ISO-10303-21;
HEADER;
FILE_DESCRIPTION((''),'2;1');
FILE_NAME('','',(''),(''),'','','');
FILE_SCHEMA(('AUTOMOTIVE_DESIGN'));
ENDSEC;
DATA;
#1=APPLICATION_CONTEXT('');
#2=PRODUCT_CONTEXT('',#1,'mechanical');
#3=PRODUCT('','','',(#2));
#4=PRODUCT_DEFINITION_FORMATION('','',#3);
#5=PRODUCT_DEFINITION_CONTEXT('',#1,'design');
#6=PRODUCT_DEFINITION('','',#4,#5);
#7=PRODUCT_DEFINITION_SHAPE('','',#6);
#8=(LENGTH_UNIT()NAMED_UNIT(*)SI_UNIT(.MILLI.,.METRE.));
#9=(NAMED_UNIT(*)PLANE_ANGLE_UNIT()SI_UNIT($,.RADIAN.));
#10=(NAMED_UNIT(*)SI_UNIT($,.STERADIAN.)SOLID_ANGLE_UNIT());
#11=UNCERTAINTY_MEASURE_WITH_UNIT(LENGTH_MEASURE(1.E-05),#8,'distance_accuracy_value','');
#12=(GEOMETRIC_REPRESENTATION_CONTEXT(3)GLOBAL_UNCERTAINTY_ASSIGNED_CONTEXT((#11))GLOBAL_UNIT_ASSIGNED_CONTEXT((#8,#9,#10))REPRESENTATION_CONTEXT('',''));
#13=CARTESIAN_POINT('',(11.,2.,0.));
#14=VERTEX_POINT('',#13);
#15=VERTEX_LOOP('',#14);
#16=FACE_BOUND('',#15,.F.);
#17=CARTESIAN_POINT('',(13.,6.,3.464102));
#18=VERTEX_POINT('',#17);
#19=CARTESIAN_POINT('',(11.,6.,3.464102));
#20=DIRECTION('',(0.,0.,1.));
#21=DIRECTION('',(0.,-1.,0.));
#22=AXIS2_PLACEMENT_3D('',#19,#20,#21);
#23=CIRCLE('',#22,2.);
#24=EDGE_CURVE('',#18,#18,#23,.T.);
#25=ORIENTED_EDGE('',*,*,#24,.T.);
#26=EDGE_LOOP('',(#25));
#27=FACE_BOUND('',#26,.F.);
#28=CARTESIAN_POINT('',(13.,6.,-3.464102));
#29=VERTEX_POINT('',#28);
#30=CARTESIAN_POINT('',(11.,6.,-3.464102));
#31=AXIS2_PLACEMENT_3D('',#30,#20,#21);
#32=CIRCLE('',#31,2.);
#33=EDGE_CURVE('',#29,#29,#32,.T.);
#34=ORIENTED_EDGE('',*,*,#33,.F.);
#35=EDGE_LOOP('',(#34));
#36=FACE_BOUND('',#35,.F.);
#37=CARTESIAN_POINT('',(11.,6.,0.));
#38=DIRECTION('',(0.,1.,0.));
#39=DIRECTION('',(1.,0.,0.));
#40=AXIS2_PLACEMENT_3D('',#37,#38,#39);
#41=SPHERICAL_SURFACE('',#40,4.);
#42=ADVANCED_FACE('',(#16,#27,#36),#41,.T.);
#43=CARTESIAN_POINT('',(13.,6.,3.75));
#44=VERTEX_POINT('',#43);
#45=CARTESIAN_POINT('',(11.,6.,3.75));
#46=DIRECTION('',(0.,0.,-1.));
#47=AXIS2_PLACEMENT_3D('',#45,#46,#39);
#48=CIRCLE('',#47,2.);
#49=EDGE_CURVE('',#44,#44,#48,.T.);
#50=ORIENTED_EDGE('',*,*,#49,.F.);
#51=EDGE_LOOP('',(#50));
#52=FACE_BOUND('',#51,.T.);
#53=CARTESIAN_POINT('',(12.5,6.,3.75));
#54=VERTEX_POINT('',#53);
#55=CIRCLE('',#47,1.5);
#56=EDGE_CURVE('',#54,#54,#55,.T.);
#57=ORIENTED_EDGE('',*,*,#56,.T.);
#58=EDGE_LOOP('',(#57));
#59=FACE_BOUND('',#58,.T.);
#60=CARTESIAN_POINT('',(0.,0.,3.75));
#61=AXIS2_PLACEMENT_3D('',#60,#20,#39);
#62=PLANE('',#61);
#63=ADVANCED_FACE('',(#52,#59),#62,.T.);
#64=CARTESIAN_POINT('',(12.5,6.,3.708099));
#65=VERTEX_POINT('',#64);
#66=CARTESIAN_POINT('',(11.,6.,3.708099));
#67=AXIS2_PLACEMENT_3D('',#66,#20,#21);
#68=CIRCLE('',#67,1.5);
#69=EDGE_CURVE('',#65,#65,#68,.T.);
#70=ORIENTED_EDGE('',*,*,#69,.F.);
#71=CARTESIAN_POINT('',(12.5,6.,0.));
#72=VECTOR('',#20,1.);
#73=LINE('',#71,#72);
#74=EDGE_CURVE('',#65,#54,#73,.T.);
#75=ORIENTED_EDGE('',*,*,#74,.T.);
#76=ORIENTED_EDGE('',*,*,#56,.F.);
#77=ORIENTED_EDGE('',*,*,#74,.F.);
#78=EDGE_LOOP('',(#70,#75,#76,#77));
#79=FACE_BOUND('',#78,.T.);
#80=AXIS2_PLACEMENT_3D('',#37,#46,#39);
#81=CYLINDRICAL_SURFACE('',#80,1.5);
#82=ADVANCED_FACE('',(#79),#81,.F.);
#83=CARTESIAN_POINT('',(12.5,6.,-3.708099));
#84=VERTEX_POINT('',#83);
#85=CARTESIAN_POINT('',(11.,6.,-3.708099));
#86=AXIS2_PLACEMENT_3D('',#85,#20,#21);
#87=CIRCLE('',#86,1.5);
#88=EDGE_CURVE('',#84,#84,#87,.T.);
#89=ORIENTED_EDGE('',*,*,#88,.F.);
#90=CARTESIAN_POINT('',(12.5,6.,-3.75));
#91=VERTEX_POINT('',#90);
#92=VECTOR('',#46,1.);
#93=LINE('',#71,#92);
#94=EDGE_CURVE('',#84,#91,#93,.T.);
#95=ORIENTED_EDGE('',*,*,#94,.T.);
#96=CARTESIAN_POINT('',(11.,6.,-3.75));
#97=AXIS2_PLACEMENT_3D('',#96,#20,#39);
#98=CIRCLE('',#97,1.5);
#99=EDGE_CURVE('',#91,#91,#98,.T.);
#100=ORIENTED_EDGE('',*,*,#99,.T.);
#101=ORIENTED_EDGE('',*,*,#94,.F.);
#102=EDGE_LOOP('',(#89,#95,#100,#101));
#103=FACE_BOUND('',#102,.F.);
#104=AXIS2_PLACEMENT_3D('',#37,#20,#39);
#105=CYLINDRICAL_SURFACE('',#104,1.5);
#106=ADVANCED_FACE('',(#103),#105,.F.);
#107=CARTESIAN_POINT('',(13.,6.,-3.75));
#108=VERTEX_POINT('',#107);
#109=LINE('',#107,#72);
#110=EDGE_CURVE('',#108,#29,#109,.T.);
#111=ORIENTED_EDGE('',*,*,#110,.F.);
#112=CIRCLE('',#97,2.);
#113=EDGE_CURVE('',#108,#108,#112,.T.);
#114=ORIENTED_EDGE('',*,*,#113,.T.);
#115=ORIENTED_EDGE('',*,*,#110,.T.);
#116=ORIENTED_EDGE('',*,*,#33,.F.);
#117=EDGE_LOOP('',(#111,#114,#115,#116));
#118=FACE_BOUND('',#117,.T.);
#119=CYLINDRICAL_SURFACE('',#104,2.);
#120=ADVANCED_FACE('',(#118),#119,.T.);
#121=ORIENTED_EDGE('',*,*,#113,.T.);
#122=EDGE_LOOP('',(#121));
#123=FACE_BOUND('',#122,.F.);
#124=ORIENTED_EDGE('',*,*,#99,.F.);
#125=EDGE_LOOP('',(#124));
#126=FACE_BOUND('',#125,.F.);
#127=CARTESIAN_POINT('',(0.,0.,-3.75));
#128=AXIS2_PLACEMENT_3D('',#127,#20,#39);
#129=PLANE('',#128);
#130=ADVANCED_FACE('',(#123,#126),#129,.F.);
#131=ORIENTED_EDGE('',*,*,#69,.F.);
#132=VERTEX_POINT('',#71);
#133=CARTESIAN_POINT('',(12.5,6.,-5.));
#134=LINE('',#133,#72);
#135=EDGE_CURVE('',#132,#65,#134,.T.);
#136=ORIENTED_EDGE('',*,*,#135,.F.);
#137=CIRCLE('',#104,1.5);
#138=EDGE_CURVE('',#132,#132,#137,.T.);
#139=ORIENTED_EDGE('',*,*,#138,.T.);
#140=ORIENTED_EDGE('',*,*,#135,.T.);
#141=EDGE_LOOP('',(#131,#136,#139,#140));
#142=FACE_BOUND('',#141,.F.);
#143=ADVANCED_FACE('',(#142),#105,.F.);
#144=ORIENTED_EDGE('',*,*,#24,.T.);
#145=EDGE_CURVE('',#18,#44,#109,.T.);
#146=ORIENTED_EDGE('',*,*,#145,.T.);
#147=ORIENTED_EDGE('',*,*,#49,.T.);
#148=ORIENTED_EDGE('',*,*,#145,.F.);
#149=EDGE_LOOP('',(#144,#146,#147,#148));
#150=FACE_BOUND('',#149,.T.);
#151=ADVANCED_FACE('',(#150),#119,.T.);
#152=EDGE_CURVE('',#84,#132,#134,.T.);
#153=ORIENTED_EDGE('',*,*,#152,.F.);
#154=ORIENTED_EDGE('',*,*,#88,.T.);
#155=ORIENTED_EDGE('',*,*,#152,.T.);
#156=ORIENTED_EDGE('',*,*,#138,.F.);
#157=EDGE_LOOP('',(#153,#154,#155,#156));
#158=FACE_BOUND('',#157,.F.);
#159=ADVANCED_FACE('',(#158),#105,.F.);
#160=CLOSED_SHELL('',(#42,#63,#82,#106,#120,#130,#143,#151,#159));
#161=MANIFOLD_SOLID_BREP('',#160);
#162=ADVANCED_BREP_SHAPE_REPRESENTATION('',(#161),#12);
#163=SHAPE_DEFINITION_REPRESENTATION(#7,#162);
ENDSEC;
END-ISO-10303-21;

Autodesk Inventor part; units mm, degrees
ref_plane "YZ Plane" through (0, 0, 0) normal (1, 0, 0) x (0, 1, 0)
ref_plane "XZ Plane" through (0, 0, 0) normal (0, 1, 0) x (-1, 0, 0)
ref_plane "XY Plane" through (0, 0, 0) normal (0, 0, 1) x (1, 0, 0)
sketch "Sketch1" plane through (0, 0, 0) normal (0, 0, 1) x (1, 0, 0)
  circle A0 centre (11, 6) radius 2
  circle A1 centre (11, 6) radius 1.5
  circle A2 centre (11, 6) radius 4
  line L0 (11, 10) -> (11, 1)
  point P0 (0, 0)
  point P1 (11, 2)
  dimension "d2" = 8
  dimension "d0" = 4
  dimension "d1" = 3
revolve "Revolution1" add sketch "Sketch1" angle 360 about axis through (11, 10, 0) along (0, -1, 0) picked at (12.8166, 5.8517) picked at (14.2832, 5.555) picked at (11.4875, 6.1113) contours A0 L0 A1 | A0 L0 A2 | A1 L0
extrude "Extrusion1" cut sketch "Sketch1" along normal mid plane 10 contours L0 A1 | A1 L0
extrude "Extrusion2" add sketch "Sketch1" along normal mid plane 7.5 contours A0 L0 A1 | L0 A1 A0
properties part number "bALL"
